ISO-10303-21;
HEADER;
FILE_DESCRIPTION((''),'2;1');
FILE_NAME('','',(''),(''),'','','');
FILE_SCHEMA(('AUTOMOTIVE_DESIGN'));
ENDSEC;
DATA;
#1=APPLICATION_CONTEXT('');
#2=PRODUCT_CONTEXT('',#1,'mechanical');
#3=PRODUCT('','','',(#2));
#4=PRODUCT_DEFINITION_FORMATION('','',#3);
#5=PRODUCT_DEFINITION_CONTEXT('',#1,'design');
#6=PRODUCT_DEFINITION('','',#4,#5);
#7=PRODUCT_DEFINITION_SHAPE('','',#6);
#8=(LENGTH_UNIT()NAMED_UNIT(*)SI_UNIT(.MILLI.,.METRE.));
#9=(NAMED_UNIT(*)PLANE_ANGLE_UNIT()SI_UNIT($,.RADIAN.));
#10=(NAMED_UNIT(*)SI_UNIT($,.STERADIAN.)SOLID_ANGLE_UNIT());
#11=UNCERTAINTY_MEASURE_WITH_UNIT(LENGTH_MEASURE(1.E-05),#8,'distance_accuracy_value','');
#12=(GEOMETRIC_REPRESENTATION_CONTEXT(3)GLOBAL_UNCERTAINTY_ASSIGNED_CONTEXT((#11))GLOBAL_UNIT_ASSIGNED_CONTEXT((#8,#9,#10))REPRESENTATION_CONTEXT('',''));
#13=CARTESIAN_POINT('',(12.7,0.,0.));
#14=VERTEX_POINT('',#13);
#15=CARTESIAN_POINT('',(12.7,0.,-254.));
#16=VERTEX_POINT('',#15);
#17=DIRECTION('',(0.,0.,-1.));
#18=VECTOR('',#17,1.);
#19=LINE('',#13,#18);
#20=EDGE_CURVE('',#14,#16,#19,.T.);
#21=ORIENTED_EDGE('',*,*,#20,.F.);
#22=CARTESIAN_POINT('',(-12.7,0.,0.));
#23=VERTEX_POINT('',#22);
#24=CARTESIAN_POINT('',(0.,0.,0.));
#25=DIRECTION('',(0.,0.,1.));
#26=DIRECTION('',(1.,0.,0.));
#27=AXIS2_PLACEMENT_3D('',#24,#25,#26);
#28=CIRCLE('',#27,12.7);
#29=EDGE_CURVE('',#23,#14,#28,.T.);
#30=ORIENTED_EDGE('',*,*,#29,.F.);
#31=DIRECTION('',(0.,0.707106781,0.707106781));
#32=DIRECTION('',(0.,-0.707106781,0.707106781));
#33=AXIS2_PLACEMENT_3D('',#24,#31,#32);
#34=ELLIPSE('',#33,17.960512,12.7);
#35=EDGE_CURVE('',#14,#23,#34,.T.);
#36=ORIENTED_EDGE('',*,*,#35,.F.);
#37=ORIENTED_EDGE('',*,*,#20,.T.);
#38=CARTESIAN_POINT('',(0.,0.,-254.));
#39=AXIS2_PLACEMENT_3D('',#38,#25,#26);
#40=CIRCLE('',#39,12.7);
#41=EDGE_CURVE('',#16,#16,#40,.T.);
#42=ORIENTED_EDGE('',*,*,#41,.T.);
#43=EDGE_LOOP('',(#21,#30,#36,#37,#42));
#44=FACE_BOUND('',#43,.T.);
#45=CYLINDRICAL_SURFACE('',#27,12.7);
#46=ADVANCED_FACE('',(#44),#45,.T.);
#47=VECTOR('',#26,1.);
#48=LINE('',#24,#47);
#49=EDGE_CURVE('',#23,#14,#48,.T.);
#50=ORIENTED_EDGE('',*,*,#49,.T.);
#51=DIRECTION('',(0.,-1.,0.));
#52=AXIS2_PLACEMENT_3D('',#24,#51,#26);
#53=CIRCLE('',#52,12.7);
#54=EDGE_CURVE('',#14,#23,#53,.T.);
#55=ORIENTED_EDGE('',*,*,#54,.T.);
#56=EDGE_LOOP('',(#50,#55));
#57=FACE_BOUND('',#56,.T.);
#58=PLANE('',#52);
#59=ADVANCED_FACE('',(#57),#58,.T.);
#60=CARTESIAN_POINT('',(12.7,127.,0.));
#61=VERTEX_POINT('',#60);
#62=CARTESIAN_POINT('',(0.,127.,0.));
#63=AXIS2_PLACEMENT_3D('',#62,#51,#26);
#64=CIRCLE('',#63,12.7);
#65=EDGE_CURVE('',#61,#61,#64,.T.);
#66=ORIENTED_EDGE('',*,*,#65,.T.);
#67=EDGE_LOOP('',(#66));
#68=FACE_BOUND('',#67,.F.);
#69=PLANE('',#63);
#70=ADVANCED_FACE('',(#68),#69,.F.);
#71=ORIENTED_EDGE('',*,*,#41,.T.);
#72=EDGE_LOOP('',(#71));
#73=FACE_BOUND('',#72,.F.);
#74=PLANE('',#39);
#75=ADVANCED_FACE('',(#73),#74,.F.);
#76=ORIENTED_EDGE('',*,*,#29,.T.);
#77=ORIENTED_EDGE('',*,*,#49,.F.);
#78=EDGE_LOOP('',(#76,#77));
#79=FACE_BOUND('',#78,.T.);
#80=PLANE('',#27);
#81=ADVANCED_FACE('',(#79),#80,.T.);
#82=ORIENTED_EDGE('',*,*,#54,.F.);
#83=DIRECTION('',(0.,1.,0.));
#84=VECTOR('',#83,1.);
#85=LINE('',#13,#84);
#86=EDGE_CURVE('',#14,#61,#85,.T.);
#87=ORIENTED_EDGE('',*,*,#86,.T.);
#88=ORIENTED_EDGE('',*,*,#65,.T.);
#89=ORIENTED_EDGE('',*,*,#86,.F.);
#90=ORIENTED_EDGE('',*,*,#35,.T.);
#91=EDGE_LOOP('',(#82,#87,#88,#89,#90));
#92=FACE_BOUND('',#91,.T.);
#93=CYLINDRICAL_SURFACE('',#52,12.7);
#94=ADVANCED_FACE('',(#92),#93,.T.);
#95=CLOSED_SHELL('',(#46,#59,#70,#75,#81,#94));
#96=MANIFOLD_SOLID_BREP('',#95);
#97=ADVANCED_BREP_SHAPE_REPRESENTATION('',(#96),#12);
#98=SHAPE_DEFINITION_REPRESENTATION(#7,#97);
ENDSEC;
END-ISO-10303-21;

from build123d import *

# Parameters (mm, degrees)
F0_R     = 12.7
F1_DEPTH = 254
F2_R     = 12.7
F3_DEPTH = 127


with BuildPart() as f1:
    # F0 (on Top) → F1 (new body)
    with BuildSketch(Plane.XY):
        Circle(F0_R)
    extrude(amount=-F1_DEPTH)

    # F2 (on Front) → F3 (join)
    with BuildSketch(Plane.XZ):
        Circle(F2_R)
    extrude(amount=-F3_DEPTH)


solid = f1.part
